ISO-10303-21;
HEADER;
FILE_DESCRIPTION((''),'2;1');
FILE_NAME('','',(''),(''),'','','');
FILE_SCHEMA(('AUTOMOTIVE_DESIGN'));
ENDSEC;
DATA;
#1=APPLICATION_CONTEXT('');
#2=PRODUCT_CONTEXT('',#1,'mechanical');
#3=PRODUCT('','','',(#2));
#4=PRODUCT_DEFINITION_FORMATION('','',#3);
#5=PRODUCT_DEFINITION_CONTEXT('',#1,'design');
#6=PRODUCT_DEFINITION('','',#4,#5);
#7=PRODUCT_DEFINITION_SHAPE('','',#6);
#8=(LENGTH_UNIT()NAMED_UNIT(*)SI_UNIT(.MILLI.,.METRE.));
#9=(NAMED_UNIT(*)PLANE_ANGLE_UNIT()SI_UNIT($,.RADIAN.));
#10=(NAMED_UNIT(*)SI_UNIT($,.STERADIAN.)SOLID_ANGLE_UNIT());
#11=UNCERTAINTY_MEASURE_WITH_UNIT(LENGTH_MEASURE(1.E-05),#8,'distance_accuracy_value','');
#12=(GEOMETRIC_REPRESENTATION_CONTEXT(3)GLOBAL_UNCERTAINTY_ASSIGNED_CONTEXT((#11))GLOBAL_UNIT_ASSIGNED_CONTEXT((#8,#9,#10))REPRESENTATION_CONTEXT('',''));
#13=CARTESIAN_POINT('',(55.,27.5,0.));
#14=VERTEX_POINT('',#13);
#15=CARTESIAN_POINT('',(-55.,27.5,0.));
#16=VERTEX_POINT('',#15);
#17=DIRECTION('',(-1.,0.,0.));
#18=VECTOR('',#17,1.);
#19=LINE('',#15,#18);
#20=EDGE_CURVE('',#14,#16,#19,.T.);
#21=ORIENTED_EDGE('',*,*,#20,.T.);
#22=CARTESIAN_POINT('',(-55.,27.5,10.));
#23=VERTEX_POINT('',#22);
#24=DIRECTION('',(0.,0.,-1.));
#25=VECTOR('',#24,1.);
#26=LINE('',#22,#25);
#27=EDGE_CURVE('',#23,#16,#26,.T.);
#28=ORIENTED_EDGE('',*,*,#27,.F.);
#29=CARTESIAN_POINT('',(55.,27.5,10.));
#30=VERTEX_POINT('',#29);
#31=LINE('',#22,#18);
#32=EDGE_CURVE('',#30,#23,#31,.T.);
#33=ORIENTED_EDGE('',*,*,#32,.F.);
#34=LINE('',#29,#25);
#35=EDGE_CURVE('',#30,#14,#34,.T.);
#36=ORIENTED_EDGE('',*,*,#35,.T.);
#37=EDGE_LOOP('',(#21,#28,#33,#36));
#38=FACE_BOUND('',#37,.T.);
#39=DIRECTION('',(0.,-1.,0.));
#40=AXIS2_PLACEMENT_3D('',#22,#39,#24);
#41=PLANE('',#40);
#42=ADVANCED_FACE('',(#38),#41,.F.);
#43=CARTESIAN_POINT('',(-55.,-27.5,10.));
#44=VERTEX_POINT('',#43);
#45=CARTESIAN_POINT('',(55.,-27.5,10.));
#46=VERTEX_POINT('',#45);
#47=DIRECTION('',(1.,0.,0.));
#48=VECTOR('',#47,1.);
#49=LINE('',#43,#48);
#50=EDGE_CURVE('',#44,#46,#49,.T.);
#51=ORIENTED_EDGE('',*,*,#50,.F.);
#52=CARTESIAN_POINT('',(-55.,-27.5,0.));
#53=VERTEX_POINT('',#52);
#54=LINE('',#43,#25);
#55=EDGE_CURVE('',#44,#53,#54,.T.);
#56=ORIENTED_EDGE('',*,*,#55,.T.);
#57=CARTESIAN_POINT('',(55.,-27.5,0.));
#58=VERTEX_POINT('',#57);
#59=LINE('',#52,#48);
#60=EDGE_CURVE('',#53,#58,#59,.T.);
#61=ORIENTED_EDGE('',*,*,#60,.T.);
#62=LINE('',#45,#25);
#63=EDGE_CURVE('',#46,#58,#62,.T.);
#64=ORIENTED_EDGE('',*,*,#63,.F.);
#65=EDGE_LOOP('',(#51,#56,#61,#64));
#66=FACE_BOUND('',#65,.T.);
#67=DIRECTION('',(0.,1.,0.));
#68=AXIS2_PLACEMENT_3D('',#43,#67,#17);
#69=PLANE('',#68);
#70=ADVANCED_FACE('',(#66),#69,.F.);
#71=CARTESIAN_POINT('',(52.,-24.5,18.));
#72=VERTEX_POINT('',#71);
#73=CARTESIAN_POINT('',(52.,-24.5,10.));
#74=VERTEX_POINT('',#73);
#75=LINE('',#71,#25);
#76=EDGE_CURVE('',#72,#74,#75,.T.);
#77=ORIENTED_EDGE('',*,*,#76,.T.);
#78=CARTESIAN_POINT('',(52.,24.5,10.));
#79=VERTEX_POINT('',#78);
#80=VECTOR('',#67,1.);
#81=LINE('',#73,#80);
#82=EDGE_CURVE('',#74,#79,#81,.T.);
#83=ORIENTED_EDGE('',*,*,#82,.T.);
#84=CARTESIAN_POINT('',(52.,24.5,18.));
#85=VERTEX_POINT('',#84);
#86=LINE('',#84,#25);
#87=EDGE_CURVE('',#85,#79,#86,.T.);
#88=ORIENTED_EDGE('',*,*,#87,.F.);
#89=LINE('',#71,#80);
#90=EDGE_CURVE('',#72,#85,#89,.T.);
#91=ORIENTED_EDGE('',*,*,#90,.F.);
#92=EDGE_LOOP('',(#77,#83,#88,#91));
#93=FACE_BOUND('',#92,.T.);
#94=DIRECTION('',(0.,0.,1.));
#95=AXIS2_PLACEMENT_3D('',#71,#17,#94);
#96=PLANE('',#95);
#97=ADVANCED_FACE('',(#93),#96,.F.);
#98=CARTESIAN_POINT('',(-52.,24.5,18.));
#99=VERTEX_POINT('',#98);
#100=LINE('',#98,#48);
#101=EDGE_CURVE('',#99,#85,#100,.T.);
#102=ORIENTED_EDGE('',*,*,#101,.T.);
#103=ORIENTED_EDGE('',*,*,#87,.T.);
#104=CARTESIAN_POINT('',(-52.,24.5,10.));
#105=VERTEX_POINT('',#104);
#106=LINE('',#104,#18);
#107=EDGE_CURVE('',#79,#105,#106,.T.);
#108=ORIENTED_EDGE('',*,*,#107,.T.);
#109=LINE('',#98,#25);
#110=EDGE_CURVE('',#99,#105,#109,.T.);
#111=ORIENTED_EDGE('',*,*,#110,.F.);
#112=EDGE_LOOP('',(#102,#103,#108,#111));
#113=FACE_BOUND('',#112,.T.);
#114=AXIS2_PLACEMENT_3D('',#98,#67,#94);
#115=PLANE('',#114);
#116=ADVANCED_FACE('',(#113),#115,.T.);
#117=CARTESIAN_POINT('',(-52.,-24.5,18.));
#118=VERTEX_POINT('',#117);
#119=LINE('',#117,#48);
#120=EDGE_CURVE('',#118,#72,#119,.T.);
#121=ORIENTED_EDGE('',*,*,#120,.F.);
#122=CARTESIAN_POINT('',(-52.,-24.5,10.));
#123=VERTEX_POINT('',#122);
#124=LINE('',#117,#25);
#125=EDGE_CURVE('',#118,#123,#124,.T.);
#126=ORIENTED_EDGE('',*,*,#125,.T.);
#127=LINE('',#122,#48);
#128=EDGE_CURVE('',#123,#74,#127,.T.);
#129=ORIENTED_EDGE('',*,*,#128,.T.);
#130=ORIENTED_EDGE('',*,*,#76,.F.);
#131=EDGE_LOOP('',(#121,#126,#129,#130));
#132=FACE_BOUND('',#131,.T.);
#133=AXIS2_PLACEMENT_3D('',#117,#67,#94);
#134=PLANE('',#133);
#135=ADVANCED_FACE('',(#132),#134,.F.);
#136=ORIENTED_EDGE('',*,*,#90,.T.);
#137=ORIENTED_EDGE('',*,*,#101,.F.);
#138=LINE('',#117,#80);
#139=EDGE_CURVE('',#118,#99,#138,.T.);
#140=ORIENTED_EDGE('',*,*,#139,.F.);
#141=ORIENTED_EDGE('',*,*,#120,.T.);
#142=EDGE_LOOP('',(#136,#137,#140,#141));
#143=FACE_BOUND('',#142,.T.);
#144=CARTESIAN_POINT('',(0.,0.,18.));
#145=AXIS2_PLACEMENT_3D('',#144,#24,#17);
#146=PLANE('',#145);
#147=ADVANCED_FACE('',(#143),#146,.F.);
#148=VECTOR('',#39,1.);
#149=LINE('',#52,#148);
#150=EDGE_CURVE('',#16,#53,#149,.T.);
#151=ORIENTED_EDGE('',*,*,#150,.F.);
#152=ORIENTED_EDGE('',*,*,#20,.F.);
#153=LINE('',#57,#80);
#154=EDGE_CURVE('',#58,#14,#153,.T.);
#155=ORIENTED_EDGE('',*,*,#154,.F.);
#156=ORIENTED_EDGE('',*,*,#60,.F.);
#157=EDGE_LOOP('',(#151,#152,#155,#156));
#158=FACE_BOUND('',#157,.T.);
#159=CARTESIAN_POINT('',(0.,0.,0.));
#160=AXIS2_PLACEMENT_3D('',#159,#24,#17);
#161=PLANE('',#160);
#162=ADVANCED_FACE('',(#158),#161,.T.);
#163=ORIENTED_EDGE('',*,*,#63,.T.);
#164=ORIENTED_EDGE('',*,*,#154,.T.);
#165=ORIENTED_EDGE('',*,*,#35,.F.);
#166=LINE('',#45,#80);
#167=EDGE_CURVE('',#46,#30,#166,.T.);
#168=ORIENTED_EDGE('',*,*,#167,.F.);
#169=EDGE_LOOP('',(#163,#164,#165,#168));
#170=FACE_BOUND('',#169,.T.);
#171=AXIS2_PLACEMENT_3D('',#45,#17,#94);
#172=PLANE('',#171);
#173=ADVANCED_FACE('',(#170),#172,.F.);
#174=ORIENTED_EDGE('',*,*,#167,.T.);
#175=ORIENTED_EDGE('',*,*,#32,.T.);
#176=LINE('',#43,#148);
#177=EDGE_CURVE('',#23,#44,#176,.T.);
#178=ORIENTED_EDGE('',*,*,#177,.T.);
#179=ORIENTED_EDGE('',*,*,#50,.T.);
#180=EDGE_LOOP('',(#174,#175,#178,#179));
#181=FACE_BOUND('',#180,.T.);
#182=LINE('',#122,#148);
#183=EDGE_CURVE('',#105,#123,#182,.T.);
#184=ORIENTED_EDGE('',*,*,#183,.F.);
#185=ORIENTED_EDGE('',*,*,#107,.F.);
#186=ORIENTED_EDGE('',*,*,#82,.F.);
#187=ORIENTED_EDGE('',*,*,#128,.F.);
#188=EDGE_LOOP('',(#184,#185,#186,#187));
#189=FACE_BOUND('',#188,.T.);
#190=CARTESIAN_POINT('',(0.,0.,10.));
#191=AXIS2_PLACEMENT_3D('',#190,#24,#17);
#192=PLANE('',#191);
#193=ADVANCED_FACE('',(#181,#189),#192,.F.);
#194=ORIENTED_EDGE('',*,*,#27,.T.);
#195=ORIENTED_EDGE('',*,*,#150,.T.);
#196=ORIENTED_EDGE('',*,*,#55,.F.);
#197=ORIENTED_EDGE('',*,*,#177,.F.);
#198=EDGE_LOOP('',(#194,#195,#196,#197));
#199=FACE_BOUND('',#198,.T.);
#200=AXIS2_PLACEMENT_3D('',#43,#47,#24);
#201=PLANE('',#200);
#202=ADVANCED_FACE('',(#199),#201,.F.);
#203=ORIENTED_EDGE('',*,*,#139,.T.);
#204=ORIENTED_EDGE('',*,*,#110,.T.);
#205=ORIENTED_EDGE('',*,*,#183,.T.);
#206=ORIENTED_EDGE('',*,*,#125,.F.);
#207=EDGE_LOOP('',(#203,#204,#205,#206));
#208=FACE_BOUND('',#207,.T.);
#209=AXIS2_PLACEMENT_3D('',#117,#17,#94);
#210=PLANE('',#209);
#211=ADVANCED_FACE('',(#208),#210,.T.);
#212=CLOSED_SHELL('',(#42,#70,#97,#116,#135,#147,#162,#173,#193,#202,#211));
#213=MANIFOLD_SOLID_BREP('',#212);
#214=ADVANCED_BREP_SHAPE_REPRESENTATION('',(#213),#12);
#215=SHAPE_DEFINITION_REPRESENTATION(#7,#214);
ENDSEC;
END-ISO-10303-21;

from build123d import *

# Parameters (mm, degrees)
SKETCH3_W           = 104
SKETCH3_H           = 49
BOSS_EXTRUDE1_DEPTH = 18
SKETCH3_3_W         = 110
SKETCH3_3_H         = 55
SKETCH3_3_W_2       = 104
SKETCH3_3_H_2       = 49
BOSS_EXTRUDE2_DEPTH = 10


with BuildPart() as part:
    # Sketch3 → Boss-Extrude1 (new body)
    with BuildSketch(Plane.XY):
        Rectangle(SKETCH3_W, SKETCH3_H)
    extrude(amount=BOSS_EXTRUDE1_DEPTH)

    # Sketch3<3> → Boss-Extrude2 (add)
    with BuildSketch(Plane.XY):
        Rectangle(SKETCH3_3_W, SKETCH3_3_H)
        Rectangle(SKETCH3_3_W_2, SKETCH3_3_H_2, mode=Mode.SUBTRACT)
    extrude(amount=BOSS_EXTRUDE2_DEPTH)


solid = part.part
